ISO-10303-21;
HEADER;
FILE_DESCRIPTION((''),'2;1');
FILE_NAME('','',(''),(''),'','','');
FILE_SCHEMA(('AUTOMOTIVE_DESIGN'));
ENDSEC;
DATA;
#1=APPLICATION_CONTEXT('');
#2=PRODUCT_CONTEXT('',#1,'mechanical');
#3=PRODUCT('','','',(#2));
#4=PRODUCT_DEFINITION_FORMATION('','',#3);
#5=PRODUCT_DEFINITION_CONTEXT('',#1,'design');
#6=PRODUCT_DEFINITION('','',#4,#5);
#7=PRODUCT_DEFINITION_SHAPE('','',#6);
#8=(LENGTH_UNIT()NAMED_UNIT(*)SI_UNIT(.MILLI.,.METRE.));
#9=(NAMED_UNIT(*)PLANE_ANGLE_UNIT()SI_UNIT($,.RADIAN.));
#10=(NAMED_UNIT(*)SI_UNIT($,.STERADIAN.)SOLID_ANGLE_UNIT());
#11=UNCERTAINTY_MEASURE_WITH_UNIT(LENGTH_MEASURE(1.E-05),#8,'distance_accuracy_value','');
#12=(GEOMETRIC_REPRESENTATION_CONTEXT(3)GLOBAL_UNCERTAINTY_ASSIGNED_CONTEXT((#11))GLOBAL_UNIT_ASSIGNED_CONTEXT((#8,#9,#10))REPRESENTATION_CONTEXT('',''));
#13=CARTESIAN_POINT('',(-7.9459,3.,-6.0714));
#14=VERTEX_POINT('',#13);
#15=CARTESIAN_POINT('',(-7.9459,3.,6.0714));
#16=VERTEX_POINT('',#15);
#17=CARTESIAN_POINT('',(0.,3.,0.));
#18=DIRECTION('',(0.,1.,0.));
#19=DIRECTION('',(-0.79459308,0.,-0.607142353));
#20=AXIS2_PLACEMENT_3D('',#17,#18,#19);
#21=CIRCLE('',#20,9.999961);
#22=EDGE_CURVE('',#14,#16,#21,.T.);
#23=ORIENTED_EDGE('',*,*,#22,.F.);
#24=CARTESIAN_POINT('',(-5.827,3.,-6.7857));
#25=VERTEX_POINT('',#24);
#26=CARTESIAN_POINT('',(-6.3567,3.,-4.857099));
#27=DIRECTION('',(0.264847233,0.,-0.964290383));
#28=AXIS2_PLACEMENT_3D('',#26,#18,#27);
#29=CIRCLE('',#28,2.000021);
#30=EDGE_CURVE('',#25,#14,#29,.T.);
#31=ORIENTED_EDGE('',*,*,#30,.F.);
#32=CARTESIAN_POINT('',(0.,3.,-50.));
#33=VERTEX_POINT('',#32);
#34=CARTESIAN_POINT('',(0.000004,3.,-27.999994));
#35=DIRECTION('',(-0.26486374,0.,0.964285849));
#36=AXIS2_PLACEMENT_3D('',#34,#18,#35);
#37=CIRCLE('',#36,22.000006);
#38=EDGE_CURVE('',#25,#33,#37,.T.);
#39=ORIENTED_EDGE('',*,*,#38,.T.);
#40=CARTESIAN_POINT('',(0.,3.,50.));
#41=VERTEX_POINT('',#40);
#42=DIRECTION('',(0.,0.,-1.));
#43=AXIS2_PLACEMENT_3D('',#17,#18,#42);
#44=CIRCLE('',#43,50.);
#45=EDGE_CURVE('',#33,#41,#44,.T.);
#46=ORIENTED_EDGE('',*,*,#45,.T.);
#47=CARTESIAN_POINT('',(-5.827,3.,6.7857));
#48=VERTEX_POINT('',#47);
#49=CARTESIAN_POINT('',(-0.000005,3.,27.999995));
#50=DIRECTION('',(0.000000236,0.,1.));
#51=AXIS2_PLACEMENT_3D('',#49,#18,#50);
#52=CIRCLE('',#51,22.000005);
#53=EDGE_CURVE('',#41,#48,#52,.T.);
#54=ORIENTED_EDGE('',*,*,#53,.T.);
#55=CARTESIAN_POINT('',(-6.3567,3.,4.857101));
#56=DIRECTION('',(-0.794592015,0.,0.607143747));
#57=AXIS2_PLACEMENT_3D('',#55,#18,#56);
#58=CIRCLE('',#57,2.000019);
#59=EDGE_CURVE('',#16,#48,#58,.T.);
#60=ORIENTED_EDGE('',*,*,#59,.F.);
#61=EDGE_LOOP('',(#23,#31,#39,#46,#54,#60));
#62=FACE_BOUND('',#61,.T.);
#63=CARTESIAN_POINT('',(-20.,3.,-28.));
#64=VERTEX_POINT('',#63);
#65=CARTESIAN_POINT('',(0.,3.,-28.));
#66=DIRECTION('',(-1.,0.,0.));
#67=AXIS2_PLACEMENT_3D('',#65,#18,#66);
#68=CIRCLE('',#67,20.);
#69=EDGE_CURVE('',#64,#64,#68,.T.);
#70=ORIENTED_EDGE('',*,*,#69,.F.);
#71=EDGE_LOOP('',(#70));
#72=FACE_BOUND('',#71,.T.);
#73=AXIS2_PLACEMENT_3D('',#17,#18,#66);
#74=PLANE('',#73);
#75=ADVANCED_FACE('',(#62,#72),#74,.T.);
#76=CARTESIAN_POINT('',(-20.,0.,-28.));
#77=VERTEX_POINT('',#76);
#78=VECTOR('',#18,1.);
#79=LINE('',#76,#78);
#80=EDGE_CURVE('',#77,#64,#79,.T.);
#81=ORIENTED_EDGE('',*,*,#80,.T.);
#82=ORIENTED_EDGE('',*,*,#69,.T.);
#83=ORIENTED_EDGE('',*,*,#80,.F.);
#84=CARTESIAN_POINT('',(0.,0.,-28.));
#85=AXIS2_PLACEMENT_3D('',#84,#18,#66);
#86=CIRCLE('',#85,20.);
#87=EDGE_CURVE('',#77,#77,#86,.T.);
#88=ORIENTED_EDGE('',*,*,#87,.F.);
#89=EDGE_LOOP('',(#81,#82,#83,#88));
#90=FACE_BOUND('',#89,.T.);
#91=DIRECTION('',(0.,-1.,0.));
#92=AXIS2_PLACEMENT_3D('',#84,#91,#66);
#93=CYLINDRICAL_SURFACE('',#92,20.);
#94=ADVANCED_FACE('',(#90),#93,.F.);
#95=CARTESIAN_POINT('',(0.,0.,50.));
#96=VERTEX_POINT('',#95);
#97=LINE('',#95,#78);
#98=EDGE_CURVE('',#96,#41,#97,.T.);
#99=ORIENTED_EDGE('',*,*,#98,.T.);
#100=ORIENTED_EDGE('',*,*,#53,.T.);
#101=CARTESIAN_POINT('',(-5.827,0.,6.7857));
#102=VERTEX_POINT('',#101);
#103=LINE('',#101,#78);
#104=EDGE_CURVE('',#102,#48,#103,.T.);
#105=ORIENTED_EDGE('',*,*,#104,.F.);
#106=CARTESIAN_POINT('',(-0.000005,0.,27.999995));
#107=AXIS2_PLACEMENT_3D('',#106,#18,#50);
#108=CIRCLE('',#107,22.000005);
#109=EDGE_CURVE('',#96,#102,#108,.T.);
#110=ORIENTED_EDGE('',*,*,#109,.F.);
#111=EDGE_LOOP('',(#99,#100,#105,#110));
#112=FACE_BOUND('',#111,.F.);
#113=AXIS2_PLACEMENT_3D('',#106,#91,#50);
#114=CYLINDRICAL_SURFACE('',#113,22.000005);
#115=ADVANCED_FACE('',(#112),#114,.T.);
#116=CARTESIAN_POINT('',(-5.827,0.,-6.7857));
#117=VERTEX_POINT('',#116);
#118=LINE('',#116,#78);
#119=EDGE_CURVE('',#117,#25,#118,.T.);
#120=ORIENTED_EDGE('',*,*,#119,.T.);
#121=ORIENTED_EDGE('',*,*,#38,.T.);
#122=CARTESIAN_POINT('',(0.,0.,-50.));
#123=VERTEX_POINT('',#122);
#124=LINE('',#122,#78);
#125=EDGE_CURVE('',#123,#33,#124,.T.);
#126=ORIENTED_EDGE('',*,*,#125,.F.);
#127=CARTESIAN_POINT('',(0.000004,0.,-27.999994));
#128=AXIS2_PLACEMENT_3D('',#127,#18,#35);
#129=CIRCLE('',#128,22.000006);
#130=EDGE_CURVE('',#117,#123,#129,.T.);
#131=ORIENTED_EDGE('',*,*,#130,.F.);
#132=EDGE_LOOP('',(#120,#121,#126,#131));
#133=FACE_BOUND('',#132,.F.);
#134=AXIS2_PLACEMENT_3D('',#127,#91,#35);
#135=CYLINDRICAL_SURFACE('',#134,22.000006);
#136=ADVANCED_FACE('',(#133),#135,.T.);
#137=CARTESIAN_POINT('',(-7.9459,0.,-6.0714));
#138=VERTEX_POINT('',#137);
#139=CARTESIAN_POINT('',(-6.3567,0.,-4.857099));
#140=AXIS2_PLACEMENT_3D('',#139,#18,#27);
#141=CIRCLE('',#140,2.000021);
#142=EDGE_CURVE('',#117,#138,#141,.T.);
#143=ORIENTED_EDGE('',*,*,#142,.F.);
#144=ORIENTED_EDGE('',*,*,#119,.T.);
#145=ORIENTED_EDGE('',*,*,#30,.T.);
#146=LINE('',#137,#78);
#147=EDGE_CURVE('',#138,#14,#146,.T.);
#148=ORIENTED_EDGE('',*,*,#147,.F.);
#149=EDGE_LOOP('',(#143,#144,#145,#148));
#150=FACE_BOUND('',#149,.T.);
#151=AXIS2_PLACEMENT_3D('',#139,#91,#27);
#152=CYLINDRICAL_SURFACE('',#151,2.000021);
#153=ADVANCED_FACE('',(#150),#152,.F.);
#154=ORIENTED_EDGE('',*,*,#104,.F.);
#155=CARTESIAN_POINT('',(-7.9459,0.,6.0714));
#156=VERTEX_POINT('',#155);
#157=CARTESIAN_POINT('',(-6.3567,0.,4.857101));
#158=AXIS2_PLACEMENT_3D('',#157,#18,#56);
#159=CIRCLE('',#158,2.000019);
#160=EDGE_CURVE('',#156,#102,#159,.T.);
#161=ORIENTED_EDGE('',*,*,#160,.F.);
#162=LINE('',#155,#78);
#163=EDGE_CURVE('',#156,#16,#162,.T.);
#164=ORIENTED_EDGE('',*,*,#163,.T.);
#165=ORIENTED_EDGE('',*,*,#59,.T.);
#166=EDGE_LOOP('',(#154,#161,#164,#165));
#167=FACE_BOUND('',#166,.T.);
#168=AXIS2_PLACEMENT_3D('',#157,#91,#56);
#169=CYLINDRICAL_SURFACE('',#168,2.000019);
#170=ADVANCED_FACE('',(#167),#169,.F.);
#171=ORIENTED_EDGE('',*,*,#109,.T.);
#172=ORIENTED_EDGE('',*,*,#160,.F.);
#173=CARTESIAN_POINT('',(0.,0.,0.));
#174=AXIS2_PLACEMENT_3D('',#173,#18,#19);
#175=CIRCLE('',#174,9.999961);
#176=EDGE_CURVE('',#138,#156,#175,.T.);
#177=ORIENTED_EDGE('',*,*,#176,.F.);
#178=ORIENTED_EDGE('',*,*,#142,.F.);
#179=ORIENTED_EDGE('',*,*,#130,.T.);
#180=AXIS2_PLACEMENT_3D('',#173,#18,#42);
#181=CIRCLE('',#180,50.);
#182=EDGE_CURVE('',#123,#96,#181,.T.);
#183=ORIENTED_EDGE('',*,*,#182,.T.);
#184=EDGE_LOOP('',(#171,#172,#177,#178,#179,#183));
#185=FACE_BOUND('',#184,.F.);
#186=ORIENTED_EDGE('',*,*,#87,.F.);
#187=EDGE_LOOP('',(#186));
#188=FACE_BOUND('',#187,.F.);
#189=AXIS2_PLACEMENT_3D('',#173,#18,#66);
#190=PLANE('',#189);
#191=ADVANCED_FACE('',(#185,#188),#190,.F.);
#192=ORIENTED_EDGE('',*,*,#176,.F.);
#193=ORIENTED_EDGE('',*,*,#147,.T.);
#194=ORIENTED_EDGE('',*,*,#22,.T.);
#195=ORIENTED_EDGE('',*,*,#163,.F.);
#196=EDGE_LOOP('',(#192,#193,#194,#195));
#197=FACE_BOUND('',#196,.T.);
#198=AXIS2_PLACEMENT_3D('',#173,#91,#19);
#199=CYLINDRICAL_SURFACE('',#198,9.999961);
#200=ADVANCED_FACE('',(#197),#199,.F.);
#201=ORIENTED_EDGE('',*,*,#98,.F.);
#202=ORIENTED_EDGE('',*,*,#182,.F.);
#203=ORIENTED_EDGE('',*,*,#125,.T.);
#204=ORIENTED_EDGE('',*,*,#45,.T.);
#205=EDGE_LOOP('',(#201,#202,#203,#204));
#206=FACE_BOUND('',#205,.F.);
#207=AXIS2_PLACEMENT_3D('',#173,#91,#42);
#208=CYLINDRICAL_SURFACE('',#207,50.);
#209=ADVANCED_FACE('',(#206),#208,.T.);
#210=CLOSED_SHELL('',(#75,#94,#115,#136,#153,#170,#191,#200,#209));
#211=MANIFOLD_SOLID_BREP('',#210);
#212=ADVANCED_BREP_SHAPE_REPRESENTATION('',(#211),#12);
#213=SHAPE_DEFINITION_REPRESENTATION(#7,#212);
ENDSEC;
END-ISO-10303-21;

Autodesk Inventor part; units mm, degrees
ref_plane "YZ Plane" through (0, 0, 0) normal (1, 0, 0) x (0, 1, 0)
ref_plane "XZ Plane" through (0, 0, 0) normal (0, 1, 0) x (-1, 0, 0)
ref_plane "XY Plane" through (0, 0, 0) normal (0, 0, 1) x (1, 0, 0)
sketch "Sketch1" plane through (0, 0, 0) normal (0, 1, 0) x (-1, 0, 0)
  arc A0 (0, -50) -> (0, 50) centre (0, 0) ccw
  circle A1 centre (0, -28) radius 20
  arc A2 (5.827, -6.7857) -> (0, -50) centre (0, -28) ccw
  arc A3 (0, 50) -> (5.827, 6.7857) centre (0, 28) ccw
  arc A4 (7.9459, -6.0714) -> (7.9459, 6.0714) centre (0, 0) ccw
  arc A5 (7.9459, 6.0714) -> (5.827, 6.7857) centre (6.3567, 4.8571) ccw
  arc A6 (5.827, -6.7857) -> (7.9459, -6.0714) centre (6.3567, -4.8571) ccw
  dimension "d3" = 40
extrude "Extrusion1" add sketch "Sketch1" along normal blind 3
properties part number "Holder"
